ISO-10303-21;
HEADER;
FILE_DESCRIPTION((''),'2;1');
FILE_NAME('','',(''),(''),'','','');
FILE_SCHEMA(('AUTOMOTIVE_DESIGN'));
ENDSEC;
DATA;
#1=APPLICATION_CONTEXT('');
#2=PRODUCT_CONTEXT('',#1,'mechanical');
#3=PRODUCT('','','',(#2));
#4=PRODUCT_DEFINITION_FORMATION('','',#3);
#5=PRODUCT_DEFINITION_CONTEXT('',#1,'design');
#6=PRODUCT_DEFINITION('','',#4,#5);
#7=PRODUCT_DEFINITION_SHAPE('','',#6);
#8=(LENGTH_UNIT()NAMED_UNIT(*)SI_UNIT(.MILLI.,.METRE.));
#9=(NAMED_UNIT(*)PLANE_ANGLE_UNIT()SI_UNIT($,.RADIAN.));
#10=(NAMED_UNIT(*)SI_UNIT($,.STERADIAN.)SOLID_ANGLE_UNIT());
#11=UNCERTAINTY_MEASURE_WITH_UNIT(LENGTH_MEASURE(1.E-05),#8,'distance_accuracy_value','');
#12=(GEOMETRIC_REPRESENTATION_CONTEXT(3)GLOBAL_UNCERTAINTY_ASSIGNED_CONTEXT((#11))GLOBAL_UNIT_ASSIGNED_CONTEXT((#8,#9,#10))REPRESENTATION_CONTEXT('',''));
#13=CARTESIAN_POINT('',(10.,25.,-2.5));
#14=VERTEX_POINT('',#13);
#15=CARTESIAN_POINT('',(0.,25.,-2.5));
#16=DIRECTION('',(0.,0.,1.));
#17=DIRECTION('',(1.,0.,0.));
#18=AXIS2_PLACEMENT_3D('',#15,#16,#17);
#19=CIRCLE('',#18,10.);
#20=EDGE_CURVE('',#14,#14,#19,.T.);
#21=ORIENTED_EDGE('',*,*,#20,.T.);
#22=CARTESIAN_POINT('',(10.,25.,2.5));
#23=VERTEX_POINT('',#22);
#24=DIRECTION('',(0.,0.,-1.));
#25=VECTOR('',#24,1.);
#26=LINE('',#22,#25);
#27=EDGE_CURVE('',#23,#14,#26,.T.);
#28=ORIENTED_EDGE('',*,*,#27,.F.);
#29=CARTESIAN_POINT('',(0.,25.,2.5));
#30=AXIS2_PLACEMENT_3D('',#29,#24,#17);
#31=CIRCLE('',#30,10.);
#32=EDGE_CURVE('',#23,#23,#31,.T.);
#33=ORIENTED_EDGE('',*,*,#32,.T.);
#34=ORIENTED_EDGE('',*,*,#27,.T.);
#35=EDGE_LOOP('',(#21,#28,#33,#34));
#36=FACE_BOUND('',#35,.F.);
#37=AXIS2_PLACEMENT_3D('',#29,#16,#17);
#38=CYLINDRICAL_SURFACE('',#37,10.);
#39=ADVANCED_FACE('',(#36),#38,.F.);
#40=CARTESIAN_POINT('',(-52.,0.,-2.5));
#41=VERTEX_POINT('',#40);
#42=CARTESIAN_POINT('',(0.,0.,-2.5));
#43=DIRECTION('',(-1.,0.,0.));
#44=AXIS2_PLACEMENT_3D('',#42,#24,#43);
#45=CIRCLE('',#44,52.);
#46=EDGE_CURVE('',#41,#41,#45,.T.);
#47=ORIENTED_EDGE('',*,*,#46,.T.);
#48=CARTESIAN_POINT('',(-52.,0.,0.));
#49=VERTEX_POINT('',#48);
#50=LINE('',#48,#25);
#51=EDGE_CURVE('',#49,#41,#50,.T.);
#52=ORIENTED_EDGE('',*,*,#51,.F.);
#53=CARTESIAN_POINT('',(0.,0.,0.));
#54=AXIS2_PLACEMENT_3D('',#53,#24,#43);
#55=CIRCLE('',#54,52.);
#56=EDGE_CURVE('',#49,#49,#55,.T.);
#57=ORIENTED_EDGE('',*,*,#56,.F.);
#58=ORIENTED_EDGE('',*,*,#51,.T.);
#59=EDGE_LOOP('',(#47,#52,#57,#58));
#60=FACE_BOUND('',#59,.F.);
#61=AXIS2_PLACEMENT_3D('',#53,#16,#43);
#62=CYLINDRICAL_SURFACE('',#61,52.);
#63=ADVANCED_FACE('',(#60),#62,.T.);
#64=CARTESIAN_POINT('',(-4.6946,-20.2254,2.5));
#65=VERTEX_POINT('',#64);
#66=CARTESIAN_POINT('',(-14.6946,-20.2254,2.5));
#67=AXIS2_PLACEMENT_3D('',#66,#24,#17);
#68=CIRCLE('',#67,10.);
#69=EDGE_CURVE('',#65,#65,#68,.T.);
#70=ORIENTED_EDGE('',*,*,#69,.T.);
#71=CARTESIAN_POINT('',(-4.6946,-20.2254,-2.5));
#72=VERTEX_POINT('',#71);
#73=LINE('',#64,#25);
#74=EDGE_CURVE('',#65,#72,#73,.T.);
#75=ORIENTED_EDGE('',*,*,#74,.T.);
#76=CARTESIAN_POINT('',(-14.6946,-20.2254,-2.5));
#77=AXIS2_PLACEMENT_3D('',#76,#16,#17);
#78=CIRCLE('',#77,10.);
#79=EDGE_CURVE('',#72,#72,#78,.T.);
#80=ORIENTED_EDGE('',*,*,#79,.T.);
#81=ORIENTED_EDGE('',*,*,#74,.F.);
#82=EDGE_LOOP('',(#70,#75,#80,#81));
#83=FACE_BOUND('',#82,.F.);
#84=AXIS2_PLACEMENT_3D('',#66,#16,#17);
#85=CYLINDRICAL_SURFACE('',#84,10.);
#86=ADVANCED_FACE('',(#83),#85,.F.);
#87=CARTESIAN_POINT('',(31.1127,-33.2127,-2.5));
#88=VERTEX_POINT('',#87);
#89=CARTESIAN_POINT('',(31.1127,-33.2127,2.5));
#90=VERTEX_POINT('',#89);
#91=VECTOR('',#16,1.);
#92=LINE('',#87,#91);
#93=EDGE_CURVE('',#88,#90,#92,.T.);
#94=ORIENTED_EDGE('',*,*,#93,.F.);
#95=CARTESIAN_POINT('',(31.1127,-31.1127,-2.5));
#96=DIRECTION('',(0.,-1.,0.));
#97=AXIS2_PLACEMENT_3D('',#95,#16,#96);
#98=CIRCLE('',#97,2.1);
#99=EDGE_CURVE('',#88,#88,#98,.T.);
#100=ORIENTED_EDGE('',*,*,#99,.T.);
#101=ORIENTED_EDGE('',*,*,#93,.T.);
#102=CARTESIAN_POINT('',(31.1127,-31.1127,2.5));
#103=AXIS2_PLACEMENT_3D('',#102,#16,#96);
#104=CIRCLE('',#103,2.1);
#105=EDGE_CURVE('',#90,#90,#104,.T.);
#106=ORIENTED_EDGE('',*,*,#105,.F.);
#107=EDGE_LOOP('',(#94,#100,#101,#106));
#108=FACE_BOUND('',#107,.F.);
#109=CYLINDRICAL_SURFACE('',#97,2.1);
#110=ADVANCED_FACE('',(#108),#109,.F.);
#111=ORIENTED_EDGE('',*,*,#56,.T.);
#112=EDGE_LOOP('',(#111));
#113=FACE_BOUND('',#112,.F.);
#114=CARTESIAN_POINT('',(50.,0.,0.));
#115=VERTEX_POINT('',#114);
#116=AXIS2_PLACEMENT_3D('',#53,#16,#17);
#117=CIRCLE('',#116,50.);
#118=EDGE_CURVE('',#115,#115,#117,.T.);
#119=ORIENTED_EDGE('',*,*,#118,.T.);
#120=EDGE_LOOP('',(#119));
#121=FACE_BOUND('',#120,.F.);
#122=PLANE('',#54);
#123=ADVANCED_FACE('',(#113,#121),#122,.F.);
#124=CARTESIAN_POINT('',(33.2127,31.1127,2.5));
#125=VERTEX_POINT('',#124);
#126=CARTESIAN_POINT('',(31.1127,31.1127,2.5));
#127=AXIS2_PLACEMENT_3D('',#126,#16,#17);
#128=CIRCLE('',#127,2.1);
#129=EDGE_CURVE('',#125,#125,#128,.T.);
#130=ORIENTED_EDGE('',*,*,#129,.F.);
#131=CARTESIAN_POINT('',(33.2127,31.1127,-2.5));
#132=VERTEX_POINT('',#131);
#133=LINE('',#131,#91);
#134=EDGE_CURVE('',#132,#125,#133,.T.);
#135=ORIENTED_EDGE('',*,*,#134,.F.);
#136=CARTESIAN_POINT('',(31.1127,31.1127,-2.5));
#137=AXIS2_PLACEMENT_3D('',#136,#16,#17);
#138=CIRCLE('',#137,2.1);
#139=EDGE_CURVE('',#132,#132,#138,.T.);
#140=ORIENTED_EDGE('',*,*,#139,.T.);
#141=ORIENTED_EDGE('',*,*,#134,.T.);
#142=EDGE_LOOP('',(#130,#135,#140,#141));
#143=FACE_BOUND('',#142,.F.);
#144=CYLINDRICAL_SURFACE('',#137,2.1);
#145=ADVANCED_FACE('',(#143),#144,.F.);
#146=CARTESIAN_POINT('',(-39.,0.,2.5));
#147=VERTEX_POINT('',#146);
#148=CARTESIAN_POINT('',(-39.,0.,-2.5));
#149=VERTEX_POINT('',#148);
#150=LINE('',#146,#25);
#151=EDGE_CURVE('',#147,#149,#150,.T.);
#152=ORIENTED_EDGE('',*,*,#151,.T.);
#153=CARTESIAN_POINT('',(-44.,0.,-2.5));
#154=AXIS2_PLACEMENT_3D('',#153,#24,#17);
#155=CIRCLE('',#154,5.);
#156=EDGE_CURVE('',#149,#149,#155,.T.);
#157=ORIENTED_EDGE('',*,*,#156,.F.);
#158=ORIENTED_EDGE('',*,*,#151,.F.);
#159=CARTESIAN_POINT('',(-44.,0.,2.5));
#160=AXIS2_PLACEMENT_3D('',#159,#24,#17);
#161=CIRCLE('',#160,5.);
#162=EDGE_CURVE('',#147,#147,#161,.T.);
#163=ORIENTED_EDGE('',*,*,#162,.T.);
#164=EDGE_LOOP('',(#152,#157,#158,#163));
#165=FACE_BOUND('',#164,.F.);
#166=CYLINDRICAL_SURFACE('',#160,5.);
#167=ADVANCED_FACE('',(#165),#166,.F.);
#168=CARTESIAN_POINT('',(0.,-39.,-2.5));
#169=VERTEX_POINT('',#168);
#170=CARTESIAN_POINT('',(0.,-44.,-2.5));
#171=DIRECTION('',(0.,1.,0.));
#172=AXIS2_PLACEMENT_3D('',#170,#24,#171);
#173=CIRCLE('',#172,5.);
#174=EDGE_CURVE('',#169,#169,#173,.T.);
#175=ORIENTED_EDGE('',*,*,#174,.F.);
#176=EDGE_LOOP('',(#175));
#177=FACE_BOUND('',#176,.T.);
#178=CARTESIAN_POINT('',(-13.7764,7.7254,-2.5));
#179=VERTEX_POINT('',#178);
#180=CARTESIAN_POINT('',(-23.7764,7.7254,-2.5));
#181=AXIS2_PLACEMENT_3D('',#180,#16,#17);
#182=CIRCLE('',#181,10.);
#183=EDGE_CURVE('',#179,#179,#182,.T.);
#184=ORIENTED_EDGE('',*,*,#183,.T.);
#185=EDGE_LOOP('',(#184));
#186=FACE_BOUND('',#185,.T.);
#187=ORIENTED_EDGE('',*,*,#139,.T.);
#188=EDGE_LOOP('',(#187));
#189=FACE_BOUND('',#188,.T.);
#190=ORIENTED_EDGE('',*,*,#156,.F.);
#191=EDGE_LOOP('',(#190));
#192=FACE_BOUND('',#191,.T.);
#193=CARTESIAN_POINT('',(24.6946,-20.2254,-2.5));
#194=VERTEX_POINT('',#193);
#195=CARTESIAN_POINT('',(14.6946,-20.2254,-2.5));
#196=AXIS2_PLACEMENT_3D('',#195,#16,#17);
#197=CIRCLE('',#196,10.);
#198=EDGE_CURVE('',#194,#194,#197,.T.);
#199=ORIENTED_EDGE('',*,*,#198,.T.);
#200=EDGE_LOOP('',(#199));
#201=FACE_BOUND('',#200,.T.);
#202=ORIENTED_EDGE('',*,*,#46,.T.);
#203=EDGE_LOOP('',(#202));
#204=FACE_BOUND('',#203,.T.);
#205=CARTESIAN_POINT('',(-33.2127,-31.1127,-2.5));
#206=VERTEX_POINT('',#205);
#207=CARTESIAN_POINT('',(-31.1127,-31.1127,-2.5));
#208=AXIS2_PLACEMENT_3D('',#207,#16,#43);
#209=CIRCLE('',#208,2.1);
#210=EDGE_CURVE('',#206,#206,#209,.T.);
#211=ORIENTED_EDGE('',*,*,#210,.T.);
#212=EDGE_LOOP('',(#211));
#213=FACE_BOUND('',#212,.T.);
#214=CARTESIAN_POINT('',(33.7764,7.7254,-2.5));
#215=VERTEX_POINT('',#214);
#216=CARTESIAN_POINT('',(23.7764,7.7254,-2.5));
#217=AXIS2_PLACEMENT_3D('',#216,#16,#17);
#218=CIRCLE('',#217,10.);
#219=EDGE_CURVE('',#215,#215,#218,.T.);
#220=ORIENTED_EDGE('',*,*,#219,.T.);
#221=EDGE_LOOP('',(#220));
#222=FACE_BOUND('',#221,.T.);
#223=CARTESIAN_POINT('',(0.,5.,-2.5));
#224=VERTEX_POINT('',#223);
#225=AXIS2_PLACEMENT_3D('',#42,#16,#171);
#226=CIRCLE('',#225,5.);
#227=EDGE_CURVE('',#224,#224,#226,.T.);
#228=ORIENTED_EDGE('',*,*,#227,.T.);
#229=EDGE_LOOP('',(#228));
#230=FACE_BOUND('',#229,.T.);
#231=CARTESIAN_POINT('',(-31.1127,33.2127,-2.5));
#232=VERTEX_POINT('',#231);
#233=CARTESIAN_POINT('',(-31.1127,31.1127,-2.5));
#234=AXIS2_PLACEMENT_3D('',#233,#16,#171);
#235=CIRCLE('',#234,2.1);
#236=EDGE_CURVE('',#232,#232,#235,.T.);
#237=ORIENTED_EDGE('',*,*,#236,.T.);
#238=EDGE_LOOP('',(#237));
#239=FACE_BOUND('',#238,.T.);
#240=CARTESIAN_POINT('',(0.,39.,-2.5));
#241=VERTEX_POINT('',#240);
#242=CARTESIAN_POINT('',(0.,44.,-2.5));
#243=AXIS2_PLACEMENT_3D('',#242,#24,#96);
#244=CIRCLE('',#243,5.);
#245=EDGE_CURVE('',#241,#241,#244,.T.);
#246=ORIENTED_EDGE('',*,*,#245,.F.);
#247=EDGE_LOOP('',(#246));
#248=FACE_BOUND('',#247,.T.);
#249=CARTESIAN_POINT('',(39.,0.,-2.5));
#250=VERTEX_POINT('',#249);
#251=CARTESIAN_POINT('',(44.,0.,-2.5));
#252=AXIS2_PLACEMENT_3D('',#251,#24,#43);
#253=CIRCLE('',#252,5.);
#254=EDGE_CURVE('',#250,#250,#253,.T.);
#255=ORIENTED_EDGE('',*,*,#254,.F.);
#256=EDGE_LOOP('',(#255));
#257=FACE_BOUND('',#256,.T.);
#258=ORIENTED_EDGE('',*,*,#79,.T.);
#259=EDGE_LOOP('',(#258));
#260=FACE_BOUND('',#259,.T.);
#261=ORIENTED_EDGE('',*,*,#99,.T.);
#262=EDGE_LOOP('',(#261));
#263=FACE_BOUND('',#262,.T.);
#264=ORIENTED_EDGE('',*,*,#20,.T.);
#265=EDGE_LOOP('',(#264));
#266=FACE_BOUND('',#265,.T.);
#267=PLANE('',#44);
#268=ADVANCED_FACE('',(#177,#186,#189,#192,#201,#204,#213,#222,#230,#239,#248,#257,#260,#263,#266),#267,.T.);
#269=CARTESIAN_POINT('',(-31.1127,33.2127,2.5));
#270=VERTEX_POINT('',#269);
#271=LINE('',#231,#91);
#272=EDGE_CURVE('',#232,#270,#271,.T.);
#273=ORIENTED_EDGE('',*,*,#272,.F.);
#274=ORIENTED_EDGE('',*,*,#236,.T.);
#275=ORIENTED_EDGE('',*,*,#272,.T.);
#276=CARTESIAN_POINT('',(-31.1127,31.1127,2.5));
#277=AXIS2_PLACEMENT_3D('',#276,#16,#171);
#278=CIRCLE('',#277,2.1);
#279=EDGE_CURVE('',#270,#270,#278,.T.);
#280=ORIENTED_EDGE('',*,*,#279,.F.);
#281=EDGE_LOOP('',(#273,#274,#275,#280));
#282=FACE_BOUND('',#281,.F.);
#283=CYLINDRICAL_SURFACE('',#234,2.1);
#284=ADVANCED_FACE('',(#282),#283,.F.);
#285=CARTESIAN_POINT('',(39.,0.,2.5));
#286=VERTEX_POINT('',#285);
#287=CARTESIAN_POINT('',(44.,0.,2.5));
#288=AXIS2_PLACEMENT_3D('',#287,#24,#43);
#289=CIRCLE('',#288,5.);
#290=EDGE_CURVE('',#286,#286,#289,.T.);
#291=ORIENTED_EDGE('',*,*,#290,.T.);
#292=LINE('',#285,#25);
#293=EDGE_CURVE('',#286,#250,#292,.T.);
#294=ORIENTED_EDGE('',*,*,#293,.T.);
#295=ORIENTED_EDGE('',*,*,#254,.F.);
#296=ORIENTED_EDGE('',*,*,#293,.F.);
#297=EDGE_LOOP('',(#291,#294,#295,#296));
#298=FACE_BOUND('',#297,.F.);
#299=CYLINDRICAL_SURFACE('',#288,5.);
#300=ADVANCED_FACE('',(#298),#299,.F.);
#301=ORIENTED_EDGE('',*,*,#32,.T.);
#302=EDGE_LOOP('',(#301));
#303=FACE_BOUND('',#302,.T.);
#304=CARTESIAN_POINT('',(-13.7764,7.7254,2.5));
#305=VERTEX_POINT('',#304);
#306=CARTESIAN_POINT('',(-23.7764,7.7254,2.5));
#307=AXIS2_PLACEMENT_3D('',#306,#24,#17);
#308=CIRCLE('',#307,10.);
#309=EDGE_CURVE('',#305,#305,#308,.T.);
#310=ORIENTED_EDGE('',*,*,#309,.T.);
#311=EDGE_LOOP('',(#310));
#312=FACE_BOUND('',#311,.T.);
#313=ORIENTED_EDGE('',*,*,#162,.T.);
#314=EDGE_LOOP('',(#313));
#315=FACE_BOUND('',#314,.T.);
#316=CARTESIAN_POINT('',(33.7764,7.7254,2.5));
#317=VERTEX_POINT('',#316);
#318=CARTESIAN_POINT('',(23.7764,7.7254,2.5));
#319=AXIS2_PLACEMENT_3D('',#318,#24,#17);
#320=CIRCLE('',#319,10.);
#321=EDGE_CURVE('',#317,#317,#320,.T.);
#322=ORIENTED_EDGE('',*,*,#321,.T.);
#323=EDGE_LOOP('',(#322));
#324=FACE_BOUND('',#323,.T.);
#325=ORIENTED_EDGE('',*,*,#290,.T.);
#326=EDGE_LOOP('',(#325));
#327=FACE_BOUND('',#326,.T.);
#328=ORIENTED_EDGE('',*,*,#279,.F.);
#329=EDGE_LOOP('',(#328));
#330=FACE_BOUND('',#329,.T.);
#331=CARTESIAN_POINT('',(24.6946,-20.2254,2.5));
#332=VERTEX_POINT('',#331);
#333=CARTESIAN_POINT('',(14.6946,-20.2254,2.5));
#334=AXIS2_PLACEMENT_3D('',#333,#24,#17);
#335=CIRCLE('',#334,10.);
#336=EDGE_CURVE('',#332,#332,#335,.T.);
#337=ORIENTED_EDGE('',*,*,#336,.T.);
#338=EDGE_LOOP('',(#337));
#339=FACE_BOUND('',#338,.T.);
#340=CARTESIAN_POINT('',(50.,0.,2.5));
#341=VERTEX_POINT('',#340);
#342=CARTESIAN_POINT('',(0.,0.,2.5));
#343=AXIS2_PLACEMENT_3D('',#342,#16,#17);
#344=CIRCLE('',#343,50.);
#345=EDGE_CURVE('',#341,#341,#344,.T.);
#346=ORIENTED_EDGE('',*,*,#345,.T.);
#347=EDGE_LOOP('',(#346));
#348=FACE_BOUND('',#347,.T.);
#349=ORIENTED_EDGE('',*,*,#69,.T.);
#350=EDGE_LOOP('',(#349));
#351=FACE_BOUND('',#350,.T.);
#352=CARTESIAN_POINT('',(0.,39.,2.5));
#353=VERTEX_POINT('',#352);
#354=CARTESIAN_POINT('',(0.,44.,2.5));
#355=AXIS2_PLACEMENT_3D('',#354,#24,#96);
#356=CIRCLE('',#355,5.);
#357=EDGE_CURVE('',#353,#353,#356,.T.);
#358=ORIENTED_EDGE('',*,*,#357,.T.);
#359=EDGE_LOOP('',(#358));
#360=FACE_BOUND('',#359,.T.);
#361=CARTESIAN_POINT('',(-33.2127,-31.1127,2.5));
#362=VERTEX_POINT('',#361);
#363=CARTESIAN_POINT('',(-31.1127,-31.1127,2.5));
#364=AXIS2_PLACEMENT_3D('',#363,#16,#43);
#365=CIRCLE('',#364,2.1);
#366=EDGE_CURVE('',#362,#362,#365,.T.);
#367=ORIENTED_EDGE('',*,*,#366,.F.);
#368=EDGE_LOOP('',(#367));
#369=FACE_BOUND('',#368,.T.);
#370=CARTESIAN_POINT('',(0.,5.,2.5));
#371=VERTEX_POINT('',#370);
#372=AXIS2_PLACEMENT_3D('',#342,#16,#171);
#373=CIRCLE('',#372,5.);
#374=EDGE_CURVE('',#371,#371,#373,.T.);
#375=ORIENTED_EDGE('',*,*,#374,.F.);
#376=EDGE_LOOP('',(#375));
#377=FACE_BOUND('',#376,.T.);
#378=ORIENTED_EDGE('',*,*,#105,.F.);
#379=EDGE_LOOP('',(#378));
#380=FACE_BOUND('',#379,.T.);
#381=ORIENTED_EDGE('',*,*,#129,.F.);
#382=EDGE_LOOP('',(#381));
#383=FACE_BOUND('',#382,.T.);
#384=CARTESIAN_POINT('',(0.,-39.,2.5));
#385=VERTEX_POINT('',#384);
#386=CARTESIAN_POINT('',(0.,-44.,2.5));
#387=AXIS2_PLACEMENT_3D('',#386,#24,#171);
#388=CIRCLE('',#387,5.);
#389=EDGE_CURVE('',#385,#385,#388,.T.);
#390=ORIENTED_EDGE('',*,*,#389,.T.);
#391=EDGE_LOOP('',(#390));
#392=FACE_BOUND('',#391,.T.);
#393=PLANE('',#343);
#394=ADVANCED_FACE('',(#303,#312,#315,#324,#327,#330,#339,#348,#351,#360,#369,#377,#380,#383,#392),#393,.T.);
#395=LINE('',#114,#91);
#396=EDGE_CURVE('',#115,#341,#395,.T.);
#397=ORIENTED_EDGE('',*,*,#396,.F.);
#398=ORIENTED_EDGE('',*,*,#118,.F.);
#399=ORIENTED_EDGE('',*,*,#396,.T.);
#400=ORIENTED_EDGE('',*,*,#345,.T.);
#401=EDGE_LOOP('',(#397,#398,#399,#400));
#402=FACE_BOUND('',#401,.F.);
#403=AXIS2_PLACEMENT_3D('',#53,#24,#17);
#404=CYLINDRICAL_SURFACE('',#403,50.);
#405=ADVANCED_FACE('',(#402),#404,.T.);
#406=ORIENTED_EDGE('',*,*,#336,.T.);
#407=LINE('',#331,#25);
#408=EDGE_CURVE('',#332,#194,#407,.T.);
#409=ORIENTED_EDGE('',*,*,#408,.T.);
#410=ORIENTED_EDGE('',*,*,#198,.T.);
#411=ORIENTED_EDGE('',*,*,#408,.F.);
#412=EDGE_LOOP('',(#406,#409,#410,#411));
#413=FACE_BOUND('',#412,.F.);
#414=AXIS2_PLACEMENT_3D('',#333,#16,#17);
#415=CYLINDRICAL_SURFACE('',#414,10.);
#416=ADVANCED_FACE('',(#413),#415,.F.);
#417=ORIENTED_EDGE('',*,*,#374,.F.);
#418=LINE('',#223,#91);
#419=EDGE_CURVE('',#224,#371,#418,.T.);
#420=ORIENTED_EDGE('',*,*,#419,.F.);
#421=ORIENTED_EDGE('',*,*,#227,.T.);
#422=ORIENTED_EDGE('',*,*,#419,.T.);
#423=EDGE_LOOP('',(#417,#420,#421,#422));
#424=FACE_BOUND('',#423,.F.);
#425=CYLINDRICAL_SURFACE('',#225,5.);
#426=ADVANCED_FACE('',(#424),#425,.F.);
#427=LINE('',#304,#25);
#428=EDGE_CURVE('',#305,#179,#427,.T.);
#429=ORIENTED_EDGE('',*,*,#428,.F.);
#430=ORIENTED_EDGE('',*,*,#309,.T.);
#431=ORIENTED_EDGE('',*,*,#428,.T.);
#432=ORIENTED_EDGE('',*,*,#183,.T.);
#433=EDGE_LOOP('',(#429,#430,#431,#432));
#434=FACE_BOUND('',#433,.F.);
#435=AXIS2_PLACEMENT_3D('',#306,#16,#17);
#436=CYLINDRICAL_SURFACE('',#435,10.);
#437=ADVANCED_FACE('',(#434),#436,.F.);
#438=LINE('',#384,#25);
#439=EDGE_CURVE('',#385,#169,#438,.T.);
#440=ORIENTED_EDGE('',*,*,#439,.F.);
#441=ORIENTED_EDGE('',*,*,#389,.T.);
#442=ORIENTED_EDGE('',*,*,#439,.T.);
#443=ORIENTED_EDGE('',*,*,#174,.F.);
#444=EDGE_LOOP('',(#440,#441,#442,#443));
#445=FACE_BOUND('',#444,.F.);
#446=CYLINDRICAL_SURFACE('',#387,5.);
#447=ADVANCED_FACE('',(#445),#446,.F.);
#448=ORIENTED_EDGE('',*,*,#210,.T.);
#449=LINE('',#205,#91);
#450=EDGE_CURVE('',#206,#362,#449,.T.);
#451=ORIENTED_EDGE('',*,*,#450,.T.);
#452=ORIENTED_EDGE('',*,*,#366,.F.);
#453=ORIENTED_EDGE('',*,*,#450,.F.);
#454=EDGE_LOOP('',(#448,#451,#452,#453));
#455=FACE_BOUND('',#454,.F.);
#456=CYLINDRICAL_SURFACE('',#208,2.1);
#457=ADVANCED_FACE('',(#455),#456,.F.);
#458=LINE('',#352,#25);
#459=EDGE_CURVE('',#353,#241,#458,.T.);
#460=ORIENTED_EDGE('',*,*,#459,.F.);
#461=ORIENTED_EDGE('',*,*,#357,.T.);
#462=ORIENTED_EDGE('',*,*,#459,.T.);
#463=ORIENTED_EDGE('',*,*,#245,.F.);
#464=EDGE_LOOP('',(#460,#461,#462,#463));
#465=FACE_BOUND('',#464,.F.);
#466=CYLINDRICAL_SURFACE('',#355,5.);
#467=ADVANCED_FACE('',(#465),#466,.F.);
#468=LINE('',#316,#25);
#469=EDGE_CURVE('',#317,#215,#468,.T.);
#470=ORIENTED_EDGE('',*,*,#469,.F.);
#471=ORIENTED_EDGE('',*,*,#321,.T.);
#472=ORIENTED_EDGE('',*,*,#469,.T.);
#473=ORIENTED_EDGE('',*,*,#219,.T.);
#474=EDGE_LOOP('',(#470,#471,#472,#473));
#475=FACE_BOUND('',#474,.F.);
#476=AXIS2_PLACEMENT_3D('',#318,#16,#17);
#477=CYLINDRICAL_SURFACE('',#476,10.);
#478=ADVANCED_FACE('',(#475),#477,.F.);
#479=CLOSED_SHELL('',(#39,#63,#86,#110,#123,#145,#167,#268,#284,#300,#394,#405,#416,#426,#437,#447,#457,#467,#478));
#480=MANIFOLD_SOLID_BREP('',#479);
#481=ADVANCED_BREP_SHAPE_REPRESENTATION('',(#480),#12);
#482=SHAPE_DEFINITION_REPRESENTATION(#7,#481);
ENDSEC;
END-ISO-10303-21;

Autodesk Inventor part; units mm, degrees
ref_plane "YZ Plane" through (0, 0, 0) normal (1, 0, 0) x (0, 1, 0)
ref_plane "XZ Plane" through (0, 0, 0) normal (0, 1, 0) x (-1, 0, 0)
ref_plane "XY Plane" through (0, 0, 0) normal (0, 0, 1) x (1, 0, 0)
sketch "スケッチ1" plane through (0, 0, 0) normal (0, 0, 1) x (1, 0, 0)
  circle A0 centre (0, 0) radius 50
  dimension "d0" = 100
extrude "押し出し1" add sketch "スケッチ1" along normal blind 2.5
sketch "スケッチ2" plane through (0, 0, 0) normal (0, 0, -1) x (-1, 0, 0)
  circle A0 centre (0, 0) radius 52
  dimension "d3" = 104
extrude "押し出し2" add sketch "スケッチ2" along normal blind 2.5
sketch "スケッチ3" plane through (0, 0, -2.5) normal (0, 0, -1) x (-1, 0, 0)
  point P0 (0, 0)
  point P1 (0, 0)
hole "穴1" at (0, 0, -2.5) direction (0, 0, 1) diameter 10 end through all
sketch "スケッチ4" plane through (0, 0, 2.5) normal (0, 0, 1) x (1, 0, 0)
  point P0 (0, 0)
  point P1 (0, 44)
  dimension "d13" = 44
hole "穴2" at (0, 44, 2.5) direction (0, 0, -1) diameter 10 end through all
pattern_circular "円形状パターン1" count 4 over 360 about axis through (0, 0, 144.6632) along (0, 0, -1) of "穴2"
sketch "スケッチ5" plane through (0, 0, -2.5) normal (0, 0, -1) x (-1, 0, 0)
  circle A0 centre (28.7245, 26.8039) radius 17.2489
  circle A1 centre (0, -44) radius 5 projected
  circle A2 centre (0, 0) radius 44
  line L0 (31.1127, 31.1127) -> (0, 0)
  circle A3 centre (0, 44) radius 5 projected
  line L1 (0, 0) -> (0, 44)
  dimension "d24" = 45
hole "穴3" at (-31.1127, 31.1127, -2.5) direction (0, 0, 1) diameter 4.2 end through all
pattern_circular "円形状パターン2" count 4 over 360 about axis through (0, 0, 0) along (0, 0, -1) of "穴3"
sketch "スケッチ6" plane through (0, 0, 2.5) normal (0, 0, 1) x (1, 0, 0)
  circle A0 centre (0, 0) radius 35
  circle A1 centre (0, 0) radius 15
  circle A2 centre (0, 25) radius 10
  circle A3 centre (-23.7764, 7.7254) radius 10
  circle A4 centre (-14.6946, -20.2254) radius 10
  circle A5 centre (14.6946, -20.2254) radius 10
  circle A6 centre (23.7764, 7.7254) radius 10
  dimension "d35" = 70
  dimension "d36" = 30
  dimension "d39" = 360
extrude "押し出し3" cut sketch "スケッチ6" against normal through all contours A6 | A5 | A2 | A4 | A3
properties part number "出力板" material "アルミニウム 6061"
